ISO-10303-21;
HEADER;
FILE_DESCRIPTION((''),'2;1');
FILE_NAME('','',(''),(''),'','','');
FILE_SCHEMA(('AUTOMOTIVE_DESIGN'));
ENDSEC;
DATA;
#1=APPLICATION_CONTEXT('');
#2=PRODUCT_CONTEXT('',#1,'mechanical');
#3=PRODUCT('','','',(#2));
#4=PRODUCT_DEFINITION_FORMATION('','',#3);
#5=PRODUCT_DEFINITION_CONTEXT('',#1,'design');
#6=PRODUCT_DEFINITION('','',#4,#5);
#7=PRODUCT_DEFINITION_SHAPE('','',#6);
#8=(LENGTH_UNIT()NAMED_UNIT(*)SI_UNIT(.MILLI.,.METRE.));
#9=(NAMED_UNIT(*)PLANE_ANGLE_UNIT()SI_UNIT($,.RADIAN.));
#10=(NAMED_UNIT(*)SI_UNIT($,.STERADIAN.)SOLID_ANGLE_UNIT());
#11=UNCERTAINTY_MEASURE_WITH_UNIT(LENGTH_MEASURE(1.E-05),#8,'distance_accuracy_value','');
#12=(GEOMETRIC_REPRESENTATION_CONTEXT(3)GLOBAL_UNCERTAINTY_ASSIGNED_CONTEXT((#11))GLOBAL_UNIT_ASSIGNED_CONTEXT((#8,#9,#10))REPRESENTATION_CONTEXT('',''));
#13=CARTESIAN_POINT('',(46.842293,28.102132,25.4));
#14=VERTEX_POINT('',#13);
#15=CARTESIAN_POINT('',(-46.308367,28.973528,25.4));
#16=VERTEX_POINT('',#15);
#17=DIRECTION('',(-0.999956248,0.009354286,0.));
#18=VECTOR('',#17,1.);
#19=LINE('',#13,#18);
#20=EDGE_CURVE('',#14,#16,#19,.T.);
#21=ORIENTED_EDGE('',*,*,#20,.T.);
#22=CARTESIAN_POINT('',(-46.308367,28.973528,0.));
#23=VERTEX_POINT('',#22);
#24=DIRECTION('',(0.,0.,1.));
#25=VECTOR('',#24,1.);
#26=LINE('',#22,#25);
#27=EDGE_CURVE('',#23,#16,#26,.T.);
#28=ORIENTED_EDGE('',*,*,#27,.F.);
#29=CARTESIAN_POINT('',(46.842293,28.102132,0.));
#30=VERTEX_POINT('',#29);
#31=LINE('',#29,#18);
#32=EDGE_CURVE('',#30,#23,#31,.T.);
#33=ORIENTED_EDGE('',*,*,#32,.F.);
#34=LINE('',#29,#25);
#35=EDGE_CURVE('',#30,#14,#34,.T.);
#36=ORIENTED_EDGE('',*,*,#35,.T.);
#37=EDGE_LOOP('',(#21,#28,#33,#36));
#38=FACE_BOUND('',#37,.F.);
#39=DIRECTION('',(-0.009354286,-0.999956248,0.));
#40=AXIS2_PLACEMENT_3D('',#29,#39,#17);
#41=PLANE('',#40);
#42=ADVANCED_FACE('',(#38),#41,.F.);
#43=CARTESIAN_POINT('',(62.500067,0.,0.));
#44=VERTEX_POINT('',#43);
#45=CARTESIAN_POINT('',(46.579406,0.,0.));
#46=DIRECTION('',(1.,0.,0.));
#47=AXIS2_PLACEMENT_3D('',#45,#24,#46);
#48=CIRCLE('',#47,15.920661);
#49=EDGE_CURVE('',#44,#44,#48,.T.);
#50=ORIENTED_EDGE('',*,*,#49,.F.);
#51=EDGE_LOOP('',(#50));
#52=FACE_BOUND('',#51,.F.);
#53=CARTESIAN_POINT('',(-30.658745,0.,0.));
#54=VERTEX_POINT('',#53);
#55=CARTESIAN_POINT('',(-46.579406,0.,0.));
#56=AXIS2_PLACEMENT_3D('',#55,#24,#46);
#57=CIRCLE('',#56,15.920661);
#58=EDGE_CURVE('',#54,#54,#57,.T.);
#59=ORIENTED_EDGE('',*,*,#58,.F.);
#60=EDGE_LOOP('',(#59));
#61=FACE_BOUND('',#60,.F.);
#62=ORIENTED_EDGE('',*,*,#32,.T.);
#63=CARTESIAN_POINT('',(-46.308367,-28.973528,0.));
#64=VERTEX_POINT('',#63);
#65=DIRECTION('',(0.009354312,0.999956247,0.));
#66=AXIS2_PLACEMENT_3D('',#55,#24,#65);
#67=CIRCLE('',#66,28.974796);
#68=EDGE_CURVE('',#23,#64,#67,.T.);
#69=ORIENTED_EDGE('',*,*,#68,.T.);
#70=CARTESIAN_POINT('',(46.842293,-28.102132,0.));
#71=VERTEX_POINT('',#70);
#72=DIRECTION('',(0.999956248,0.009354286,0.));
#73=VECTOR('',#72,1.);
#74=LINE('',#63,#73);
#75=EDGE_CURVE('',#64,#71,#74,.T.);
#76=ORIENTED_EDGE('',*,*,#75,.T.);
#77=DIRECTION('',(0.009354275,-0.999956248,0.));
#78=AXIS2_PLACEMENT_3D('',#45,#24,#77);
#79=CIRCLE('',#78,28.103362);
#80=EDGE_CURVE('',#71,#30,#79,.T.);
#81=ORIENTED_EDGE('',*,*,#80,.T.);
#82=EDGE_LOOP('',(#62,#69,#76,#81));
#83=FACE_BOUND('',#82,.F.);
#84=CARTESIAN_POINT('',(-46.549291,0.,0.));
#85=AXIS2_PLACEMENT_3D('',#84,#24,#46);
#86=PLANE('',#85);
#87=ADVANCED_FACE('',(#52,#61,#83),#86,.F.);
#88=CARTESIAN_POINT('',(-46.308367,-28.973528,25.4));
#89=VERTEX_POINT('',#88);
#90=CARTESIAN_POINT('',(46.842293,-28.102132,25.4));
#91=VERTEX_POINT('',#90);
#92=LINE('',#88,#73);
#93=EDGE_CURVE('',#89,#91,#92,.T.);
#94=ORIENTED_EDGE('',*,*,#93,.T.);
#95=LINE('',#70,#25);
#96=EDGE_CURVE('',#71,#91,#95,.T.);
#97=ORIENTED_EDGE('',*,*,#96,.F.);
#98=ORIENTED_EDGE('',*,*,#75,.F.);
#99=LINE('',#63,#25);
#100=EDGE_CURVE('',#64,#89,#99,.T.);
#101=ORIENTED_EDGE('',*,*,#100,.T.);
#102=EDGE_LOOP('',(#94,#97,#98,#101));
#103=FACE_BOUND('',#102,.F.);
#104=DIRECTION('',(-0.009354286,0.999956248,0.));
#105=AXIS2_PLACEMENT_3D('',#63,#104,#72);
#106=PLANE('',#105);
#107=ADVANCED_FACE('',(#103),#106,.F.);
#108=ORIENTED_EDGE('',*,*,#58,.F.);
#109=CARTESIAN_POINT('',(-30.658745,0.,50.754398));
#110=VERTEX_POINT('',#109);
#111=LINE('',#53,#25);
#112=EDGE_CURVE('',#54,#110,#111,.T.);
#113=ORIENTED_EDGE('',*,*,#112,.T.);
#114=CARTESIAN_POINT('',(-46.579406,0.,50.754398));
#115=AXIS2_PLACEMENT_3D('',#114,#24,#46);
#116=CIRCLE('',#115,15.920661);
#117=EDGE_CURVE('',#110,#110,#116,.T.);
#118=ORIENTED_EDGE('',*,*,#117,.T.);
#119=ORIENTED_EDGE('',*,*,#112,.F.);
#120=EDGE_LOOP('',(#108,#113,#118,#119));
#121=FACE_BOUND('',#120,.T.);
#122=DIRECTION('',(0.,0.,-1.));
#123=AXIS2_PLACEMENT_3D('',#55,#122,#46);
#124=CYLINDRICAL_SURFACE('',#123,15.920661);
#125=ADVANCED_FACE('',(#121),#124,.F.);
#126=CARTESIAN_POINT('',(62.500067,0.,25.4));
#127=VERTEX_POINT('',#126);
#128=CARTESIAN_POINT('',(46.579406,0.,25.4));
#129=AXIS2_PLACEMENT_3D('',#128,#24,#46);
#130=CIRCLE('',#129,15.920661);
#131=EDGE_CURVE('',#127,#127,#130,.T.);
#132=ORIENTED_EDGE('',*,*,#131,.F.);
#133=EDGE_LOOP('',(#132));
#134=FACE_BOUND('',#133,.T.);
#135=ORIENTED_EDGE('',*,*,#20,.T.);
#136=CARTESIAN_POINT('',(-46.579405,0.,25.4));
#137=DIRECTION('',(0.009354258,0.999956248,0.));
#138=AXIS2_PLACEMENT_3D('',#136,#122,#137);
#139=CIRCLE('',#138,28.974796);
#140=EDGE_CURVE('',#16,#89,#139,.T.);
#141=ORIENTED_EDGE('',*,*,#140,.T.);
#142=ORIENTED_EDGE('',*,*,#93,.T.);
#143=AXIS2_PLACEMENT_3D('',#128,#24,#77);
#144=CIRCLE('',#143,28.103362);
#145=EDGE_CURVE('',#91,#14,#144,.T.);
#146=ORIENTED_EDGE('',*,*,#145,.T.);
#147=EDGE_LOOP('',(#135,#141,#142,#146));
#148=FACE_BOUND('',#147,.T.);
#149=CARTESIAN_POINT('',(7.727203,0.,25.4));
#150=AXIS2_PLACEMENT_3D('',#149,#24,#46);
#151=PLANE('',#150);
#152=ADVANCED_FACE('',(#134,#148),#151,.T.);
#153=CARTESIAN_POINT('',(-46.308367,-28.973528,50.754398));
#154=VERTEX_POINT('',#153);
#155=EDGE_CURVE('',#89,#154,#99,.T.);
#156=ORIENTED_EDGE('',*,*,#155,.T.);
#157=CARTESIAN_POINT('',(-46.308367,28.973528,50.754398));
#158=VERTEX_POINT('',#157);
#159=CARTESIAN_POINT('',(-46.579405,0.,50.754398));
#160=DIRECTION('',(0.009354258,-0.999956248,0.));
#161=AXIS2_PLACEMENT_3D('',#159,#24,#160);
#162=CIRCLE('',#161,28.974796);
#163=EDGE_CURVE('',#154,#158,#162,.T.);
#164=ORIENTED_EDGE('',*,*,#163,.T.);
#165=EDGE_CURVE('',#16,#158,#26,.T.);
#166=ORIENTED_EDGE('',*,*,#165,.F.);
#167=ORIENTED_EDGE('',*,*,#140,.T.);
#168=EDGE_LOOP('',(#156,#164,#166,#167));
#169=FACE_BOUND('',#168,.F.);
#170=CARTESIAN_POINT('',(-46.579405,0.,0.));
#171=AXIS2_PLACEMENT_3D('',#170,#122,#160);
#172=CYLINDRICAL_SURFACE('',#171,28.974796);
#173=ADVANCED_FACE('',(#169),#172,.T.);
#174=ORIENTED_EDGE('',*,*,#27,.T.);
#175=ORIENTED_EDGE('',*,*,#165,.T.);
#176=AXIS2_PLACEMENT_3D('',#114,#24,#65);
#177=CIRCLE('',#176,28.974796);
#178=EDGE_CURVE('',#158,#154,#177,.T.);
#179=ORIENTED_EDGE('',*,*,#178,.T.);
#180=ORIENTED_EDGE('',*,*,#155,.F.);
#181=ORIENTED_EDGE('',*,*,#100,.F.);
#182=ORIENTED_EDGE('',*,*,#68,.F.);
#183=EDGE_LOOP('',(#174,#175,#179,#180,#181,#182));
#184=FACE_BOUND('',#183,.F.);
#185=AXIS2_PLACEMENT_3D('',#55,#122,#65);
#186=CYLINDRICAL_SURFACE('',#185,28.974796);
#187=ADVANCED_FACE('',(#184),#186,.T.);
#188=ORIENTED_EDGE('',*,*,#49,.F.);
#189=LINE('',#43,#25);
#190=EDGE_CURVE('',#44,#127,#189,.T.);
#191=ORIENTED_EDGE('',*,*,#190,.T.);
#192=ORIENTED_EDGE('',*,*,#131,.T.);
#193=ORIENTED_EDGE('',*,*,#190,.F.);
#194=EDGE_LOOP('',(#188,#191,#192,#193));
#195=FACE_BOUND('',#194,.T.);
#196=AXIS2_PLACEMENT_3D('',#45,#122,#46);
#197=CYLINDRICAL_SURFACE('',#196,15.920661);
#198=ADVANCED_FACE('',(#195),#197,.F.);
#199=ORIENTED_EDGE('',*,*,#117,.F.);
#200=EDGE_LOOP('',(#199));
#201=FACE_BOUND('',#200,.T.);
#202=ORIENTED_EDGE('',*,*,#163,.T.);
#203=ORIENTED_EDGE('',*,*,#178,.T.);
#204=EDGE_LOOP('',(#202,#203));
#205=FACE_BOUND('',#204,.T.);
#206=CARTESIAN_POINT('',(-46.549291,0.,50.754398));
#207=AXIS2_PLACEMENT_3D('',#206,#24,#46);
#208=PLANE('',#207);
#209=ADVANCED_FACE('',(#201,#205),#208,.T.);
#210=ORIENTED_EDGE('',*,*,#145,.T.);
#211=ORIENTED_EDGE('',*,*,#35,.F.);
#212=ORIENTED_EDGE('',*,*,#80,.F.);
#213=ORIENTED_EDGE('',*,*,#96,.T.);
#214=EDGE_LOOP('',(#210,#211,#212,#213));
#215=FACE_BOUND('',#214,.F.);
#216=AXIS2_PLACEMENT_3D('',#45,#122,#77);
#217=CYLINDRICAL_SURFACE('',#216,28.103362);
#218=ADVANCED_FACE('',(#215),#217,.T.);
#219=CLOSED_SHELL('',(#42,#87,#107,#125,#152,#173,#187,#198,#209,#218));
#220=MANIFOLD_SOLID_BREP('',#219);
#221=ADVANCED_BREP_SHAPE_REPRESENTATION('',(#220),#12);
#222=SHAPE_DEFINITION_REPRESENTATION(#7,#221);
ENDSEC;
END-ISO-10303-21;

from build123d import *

# Parameters (mm, degrees)
F0_R     = 15.920661
F2_DEPTH = 25.4
F1_R     = 15.920661
F3_DEPTH = 50.754398


with BuildPart() as f2:
    # F0 (on Top) → F2 (new body)
    with BuildSketch(Plane.XY):
        with BuildLine():
            Line((46.842293, 28.102132), (-46.308367, 28.973528))
            ThreePointArc((-46.308367, 28.973528), (-17.604609, 0), (-46.308367, -28.973528))
            Line((-46.308367, -28.973528), (46.842293, -28.102132))
            ThreePointArc((46.842293, -28.102132), (74.682768, 0), (46.842293, 28.102132))
        make_face()
        with Locations((46.579406, 0)):
            Circle(F0_R, mode=Mode.SUBTRACT)
    extrude(amount=F2_DEPTH)

    # F1 (on face) → F3 (join)
    with BuildSketch(Plane.XY):
        with BuildLine():
            ThreePointArc((-46.308367, 28.973528), (-75.554202, 0), (-46.308367, -28.973528))
            ThreePointArc((-46.308367, -28.973528), (-17.604609, 0), (-46.308367, 28.973528))
        make_face()
        with Locations((-46.579406, 0)):
            Circle(F1_R, mode=Mode.SUBTRACT)
    extrude(amount=F3_DEPTH)


solid = f2.part
